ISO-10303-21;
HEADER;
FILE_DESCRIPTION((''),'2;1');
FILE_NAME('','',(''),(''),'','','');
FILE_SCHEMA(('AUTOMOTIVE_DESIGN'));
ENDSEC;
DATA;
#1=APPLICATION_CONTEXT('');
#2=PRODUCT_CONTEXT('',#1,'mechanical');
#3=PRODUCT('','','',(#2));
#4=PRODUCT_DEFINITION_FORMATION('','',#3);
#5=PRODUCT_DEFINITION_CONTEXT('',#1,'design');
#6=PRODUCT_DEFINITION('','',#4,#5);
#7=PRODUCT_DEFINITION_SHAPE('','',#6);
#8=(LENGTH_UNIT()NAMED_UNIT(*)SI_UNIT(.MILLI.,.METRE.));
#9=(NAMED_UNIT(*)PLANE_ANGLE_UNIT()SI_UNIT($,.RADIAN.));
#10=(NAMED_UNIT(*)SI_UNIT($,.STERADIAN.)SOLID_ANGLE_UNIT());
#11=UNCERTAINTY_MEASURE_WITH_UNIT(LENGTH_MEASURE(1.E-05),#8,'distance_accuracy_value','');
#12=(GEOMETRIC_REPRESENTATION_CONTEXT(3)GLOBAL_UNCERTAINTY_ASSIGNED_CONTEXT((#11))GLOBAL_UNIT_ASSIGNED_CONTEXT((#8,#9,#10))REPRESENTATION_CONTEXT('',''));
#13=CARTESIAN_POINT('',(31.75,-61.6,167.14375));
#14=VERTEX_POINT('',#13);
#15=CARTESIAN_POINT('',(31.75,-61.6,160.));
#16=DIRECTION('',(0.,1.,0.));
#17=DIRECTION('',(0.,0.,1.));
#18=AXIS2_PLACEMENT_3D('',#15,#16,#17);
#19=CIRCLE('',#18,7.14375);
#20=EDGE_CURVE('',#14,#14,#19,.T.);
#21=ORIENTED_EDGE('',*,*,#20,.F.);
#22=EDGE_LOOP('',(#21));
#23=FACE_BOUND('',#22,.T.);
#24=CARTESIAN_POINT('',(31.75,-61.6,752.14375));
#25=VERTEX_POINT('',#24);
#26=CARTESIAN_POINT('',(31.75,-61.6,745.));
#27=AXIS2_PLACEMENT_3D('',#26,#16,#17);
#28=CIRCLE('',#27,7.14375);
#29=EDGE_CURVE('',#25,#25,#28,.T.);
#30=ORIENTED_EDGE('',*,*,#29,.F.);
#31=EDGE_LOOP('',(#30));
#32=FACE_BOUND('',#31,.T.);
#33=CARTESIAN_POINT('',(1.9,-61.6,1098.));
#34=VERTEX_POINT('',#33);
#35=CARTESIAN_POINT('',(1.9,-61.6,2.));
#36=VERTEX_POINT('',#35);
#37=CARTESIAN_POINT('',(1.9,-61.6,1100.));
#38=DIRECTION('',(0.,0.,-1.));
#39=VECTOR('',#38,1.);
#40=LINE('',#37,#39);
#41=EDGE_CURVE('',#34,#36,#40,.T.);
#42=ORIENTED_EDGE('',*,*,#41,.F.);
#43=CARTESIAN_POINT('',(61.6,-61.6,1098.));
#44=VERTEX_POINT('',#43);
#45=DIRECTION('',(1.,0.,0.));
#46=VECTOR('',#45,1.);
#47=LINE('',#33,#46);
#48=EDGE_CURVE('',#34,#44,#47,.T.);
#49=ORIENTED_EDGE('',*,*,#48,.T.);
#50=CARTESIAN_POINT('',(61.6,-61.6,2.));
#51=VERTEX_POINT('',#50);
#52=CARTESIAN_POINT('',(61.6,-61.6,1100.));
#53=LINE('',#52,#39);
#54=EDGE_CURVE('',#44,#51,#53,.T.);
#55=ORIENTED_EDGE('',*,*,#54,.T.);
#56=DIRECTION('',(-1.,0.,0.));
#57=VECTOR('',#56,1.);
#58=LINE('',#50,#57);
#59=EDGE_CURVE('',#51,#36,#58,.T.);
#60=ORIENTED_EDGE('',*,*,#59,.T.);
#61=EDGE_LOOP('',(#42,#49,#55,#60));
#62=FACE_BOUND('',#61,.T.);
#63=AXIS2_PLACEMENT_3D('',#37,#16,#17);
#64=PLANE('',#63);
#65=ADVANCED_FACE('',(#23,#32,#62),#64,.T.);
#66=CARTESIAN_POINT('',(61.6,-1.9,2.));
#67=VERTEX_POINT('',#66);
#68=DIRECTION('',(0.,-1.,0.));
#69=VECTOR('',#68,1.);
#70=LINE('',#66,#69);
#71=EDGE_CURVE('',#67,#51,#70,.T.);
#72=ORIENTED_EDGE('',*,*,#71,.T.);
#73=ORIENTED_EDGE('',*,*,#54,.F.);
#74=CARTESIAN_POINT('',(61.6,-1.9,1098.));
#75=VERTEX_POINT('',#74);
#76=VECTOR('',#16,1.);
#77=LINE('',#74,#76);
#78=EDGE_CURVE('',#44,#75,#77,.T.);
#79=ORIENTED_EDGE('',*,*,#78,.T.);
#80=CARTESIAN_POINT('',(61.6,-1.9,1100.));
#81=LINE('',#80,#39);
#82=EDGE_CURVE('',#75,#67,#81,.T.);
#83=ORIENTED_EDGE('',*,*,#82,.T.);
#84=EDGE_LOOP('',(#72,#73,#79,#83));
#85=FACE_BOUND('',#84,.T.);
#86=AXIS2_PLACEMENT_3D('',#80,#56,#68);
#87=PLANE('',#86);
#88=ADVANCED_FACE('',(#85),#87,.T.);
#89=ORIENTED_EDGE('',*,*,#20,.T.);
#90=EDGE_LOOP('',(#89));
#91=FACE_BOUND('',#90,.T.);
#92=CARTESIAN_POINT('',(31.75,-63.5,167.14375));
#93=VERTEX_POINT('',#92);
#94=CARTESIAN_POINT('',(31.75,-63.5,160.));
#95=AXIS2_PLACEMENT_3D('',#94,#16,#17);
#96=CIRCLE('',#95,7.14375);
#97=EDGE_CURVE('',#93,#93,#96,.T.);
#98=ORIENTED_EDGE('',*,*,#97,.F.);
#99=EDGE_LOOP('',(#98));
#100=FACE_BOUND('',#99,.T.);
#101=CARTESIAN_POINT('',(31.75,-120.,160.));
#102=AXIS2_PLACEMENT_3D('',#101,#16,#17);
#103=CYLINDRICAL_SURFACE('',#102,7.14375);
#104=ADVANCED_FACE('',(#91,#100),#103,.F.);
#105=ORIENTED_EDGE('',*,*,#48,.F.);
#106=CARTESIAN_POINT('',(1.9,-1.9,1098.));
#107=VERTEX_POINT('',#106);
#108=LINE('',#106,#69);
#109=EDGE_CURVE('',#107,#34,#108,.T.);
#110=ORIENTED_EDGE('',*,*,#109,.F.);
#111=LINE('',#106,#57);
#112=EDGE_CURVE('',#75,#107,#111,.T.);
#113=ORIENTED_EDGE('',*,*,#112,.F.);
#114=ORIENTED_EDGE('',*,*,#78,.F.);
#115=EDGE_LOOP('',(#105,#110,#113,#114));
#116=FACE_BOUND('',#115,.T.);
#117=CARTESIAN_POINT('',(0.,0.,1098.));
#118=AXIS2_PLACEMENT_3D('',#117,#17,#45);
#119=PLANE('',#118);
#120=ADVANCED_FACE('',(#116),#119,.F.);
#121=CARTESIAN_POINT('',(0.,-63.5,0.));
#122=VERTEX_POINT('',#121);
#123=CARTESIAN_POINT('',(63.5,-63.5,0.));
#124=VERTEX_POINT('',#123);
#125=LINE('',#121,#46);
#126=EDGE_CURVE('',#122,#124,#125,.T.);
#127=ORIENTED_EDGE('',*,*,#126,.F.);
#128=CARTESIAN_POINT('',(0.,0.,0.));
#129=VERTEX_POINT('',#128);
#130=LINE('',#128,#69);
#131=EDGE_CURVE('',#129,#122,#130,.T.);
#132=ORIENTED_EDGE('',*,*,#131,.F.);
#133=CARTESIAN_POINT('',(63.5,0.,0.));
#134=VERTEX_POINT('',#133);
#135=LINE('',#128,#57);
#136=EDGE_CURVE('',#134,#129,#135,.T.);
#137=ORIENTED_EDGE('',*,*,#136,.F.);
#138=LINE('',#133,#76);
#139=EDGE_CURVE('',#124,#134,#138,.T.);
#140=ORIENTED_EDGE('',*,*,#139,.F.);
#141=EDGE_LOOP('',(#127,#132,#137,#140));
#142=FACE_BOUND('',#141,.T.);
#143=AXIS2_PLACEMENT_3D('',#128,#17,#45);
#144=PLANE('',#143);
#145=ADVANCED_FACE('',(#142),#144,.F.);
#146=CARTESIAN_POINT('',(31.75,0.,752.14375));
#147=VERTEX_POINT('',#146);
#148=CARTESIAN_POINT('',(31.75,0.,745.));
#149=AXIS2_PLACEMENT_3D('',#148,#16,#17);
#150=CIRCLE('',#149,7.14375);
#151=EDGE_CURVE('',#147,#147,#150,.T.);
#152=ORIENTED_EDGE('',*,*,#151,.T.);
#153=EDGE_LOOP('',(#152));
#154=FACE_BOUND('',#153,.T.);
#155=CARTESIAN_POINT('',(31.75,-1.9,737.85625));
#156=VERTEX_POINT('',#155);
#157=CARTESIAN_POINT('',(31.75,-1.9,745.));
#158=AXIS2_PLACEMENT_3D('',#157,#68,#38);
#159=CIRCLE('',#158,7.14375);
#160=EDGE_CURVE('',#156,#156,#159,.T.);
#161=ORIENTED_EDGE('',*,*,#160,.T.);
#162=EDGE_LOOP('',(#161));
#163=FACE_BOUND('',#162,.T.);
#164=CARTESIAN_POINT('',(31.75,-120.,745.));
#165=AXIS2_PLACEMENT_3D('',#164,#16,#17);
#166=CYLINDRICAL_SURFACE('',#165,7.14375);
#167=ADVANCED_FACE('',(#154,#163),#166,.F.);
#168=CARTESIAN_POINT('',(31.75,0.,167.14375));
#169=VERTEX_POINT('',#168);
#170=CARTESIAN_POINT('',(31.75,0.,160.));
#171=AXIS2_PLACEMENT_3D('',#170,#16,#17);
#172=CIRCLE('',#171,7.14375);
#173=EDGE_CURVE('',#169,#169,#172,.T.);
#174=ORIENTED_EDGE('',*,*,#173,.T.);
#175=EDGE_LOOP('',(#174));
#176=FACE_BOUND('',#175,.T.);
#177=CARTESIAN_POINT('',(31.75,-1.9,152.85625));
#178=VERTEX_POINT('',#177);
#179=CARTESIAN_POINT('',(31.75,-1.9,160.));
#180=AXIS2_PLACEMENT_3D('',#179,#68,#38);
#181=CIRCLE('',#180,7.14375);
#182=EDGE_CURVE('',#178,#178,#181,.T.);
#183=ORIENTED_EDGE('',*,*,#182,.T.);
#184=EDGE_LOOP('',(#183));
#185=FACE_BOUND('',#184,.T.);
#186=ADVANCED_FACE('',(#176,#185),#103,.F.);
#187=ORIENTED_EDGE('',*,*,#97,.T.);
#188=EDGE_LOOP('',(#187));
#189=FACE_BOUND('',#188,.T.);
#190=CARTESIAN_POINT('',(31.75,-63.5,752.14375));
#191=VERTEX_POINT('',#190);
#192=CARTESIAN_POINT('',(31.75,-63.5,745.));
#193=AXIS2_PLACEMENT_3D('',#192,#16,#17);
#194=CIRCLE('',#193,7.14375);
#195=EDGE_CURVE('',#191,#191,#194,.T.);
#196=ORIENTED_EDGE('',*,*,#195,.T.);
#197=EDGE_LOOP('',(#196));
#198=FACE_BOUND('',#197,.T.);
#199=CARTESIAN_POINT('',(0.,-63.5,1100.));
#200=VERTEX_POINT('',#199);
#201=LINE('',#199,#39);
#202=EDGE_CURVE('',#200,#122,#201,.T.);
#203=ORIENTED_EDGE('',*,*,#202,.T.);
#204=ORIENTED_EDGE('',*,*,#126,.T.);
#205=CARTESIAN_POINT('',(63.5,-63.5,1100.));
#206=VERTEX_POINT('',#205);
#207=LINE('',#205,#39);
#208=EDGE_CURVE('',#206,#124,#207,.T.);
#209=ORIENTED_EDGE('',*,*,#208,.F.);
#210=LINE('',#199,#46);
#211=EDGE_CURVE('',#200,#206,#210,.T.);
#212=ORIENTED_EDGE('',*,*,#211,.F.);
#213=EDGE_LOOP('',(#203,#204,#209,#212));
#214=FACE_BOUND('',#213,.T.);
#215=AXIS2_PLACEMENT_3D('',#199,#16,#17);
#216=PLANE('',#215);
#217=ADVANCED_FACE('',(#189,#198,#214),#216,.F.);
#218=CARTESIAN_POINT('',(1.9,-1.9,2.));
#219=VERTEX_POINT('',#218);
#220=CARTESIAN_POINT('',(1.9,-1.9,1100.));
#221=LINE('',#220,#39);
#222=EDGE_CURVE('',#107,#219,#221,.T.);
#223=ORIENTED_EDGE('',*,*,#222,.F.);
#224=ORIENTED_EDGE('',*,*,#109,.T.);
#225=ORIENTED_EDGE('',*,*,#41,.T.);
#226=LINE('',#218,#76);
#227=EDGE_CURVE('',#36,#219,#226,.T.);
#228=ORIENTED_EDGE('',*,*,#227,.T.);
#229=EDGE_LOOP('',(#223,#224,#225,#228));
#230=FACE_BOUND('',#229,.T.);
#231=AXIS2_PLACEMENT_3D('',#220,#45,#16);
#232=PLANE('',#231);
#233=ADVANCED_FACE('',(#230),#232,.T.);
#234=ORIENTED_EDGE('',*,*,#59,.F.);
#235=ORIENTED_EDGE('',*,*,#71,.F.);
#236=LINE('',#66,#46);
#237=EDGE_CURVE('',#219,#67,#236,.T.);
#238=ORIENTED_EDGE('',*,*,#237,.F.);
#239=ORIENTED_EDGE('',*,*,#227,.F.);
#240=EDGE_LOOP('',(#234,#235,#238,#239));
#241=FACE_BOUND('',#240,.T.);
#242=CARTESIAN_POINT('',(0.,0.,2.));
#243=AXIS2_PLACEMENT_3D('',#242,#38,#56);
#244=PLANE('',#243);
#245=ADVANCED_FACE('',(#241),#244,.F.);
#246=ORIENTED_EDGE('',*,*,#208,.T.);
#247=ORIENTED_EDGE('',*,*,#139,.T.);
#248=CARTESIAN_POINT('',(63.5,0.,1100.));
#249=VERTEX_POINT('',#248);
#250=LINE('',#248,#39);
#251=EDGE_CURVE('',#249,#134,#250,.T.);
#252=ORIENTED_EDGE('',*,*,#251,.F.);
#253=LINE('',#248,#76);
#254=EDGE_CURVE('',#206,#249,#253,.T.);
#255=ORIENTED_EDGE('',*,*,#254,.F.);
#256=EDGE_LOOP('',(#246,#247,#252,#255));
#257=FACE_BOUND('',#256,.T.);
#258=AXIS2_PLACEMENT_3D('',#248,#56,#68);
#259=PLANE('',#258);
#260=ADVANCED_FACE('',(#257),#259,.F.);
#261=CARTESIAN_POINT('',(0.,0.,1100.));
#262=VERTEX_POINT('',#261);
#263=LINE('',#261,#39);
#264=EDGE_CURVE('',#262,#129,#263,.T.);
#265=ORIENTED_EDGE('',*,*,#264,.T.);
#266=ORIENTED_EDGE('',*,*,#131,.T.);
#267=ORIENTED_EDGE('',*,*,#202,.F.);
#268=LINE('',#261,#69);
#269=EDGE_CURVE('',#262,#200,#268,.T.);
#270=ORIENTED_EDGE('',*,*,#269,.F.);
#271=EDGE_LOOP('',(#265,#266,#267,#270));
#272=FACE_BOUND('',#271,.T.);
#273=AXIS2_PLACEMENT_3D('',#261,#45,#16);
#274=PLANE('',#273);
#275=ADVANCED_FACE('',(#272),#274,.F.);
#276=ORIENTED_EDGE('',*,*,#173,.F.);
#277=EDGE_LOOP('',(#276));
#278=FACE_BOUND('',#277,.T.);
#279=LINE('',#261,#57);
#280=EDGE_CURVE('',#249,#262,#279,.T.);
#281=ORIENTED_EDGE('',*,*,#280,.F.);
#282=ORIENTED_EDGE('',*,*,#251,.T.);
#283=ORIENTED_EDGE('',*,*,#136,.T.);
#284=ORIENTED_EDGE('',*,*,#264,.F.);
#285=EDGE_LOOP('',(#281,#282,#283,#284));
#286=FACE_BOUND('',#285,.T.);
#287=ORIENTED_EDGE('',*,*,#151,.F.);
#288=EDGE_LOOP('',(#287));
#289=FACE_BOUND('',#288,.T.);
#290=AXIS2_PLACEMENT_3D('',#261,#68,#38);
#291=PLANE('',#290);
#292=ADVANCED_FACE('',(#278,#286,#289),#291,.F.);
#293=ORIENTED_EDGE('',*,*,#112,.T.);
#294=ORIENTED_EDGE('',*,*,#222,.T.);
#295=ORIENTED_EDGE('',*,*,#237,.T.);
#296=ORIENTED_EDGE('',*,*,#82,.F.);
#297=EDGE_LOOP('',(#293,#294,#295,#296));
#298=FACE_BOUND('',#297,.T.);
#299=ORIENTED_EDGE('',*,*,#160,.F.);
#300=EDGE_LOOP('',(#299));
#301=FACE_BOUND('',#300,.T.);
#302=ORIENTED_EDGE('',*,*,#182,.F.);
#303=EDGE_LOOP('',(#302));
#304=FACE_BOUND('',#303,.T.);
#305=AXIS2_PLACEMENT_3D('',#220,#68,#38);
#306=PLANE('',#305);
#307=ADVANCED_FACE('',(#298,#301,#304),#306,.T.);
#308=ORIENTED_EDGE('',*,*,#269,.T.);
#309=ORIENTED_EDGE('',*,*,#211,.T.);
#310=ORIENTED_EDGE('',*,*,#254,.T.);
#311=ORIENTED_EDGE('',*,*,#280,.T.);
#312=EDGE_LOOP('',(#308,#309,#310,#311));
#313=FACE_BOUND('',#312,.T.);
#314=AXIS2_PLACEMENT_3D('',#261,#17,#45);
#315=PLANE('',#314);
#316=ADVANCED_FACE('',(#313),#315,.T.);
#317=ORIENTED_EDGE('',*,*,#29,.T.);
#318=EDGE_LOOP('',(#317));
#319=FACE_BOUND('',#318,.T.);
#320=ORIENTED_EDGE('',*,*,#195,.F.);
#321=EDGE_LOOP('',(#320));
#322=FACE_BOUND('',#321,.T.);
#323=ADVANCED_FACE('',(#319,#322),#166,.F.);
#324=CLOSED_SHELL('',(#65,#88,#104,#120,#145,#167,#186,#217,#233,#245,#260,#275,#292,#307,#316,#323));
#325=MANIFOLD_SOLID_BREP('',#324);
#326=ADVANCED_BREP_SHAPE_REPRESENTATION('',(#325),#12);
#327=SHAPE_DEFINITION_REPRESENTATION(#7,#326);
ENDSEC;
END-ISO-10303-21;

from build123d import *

# Parameters (mm, degrees)
CROQUIS1_W              = 63.5
CROQUIS1_H              = 63.5
CROQUIS1_W_2            = 59.7
CROQUIS1_H_2            = 59.7
SALIENTE_EXTRUIR1_DEPTH = 1100
CROQUIS2_W              = 59.7
CROQUIS2_H              = 59.7
SALIENTE_EXTRUIR2_DEPTH = 2
CROQUIS3_W              = 59.7
CROQUIS3_H              = 59.7
SALIENTE_EXTRUIR3_DEPTH = 2
CROQUIS4_R              = 7.14375
CORTAR_EXTRUIR1_DEPTH   = 120


with BuildPart() as part:
    # Croquis1 → Saliente-Extruir1 (new body)
    with BuildSketch(Plane.XY):
        with Locations((31.75, -31.75)):
            Rectangle(CROQUIS1_W, CROQUIS1_H)
        with Locations((31.75, -31.75)):
            Rectangle(CROQUIS1_W_2, CROQUIS1_H_2, mode=Mode.SUBTRACT)
    extrude(amount=SALIENTE_EXTRUIR1_DEPTH)

    # Croquis2 → Saliente-Extruir2 (add)
    with BuildSketch(Plane.XY.offset(1100)):
        with Locations((31.75, -31.75)):
            Rectangle(CROQUIS2_W, CROQUIS2_H)
    extrude(amount=-SALIENTE_EXTRUIR2_DEPTH)

    # Croquis3 → Saliente-Extruir3 (add)
    with BuildSketch(Plane(origin=(0, 0, 0), x_dir=(-1, 0, 0), z_dir=(0, 0, -1))):
        with Locations((-31.75, -31.75)):
            Rectangle(CROQUIS3_W, CROQUIS3_H)
    extrude(amount=-SALIENTE_EXTRUIR3_DEPTH)

    # Croquis4 → Cortar-Extruir1 (cut)
    with BuildSketch(Plane(origin=(0, 0, 0), x_dir=(1, 0, 0), z_dir=(0, 1, 0))):
        with Locations((31.75, -160)):
            Circle(CROQUIS4_R)
        with Locations((31.75, -745)):
            Circle(CROQUIS4_R)
    extrude(amount=-CORTAR_EXTRUIR1_DEPTH, mode=Mode.SUBTRACT)


solid = part.part
